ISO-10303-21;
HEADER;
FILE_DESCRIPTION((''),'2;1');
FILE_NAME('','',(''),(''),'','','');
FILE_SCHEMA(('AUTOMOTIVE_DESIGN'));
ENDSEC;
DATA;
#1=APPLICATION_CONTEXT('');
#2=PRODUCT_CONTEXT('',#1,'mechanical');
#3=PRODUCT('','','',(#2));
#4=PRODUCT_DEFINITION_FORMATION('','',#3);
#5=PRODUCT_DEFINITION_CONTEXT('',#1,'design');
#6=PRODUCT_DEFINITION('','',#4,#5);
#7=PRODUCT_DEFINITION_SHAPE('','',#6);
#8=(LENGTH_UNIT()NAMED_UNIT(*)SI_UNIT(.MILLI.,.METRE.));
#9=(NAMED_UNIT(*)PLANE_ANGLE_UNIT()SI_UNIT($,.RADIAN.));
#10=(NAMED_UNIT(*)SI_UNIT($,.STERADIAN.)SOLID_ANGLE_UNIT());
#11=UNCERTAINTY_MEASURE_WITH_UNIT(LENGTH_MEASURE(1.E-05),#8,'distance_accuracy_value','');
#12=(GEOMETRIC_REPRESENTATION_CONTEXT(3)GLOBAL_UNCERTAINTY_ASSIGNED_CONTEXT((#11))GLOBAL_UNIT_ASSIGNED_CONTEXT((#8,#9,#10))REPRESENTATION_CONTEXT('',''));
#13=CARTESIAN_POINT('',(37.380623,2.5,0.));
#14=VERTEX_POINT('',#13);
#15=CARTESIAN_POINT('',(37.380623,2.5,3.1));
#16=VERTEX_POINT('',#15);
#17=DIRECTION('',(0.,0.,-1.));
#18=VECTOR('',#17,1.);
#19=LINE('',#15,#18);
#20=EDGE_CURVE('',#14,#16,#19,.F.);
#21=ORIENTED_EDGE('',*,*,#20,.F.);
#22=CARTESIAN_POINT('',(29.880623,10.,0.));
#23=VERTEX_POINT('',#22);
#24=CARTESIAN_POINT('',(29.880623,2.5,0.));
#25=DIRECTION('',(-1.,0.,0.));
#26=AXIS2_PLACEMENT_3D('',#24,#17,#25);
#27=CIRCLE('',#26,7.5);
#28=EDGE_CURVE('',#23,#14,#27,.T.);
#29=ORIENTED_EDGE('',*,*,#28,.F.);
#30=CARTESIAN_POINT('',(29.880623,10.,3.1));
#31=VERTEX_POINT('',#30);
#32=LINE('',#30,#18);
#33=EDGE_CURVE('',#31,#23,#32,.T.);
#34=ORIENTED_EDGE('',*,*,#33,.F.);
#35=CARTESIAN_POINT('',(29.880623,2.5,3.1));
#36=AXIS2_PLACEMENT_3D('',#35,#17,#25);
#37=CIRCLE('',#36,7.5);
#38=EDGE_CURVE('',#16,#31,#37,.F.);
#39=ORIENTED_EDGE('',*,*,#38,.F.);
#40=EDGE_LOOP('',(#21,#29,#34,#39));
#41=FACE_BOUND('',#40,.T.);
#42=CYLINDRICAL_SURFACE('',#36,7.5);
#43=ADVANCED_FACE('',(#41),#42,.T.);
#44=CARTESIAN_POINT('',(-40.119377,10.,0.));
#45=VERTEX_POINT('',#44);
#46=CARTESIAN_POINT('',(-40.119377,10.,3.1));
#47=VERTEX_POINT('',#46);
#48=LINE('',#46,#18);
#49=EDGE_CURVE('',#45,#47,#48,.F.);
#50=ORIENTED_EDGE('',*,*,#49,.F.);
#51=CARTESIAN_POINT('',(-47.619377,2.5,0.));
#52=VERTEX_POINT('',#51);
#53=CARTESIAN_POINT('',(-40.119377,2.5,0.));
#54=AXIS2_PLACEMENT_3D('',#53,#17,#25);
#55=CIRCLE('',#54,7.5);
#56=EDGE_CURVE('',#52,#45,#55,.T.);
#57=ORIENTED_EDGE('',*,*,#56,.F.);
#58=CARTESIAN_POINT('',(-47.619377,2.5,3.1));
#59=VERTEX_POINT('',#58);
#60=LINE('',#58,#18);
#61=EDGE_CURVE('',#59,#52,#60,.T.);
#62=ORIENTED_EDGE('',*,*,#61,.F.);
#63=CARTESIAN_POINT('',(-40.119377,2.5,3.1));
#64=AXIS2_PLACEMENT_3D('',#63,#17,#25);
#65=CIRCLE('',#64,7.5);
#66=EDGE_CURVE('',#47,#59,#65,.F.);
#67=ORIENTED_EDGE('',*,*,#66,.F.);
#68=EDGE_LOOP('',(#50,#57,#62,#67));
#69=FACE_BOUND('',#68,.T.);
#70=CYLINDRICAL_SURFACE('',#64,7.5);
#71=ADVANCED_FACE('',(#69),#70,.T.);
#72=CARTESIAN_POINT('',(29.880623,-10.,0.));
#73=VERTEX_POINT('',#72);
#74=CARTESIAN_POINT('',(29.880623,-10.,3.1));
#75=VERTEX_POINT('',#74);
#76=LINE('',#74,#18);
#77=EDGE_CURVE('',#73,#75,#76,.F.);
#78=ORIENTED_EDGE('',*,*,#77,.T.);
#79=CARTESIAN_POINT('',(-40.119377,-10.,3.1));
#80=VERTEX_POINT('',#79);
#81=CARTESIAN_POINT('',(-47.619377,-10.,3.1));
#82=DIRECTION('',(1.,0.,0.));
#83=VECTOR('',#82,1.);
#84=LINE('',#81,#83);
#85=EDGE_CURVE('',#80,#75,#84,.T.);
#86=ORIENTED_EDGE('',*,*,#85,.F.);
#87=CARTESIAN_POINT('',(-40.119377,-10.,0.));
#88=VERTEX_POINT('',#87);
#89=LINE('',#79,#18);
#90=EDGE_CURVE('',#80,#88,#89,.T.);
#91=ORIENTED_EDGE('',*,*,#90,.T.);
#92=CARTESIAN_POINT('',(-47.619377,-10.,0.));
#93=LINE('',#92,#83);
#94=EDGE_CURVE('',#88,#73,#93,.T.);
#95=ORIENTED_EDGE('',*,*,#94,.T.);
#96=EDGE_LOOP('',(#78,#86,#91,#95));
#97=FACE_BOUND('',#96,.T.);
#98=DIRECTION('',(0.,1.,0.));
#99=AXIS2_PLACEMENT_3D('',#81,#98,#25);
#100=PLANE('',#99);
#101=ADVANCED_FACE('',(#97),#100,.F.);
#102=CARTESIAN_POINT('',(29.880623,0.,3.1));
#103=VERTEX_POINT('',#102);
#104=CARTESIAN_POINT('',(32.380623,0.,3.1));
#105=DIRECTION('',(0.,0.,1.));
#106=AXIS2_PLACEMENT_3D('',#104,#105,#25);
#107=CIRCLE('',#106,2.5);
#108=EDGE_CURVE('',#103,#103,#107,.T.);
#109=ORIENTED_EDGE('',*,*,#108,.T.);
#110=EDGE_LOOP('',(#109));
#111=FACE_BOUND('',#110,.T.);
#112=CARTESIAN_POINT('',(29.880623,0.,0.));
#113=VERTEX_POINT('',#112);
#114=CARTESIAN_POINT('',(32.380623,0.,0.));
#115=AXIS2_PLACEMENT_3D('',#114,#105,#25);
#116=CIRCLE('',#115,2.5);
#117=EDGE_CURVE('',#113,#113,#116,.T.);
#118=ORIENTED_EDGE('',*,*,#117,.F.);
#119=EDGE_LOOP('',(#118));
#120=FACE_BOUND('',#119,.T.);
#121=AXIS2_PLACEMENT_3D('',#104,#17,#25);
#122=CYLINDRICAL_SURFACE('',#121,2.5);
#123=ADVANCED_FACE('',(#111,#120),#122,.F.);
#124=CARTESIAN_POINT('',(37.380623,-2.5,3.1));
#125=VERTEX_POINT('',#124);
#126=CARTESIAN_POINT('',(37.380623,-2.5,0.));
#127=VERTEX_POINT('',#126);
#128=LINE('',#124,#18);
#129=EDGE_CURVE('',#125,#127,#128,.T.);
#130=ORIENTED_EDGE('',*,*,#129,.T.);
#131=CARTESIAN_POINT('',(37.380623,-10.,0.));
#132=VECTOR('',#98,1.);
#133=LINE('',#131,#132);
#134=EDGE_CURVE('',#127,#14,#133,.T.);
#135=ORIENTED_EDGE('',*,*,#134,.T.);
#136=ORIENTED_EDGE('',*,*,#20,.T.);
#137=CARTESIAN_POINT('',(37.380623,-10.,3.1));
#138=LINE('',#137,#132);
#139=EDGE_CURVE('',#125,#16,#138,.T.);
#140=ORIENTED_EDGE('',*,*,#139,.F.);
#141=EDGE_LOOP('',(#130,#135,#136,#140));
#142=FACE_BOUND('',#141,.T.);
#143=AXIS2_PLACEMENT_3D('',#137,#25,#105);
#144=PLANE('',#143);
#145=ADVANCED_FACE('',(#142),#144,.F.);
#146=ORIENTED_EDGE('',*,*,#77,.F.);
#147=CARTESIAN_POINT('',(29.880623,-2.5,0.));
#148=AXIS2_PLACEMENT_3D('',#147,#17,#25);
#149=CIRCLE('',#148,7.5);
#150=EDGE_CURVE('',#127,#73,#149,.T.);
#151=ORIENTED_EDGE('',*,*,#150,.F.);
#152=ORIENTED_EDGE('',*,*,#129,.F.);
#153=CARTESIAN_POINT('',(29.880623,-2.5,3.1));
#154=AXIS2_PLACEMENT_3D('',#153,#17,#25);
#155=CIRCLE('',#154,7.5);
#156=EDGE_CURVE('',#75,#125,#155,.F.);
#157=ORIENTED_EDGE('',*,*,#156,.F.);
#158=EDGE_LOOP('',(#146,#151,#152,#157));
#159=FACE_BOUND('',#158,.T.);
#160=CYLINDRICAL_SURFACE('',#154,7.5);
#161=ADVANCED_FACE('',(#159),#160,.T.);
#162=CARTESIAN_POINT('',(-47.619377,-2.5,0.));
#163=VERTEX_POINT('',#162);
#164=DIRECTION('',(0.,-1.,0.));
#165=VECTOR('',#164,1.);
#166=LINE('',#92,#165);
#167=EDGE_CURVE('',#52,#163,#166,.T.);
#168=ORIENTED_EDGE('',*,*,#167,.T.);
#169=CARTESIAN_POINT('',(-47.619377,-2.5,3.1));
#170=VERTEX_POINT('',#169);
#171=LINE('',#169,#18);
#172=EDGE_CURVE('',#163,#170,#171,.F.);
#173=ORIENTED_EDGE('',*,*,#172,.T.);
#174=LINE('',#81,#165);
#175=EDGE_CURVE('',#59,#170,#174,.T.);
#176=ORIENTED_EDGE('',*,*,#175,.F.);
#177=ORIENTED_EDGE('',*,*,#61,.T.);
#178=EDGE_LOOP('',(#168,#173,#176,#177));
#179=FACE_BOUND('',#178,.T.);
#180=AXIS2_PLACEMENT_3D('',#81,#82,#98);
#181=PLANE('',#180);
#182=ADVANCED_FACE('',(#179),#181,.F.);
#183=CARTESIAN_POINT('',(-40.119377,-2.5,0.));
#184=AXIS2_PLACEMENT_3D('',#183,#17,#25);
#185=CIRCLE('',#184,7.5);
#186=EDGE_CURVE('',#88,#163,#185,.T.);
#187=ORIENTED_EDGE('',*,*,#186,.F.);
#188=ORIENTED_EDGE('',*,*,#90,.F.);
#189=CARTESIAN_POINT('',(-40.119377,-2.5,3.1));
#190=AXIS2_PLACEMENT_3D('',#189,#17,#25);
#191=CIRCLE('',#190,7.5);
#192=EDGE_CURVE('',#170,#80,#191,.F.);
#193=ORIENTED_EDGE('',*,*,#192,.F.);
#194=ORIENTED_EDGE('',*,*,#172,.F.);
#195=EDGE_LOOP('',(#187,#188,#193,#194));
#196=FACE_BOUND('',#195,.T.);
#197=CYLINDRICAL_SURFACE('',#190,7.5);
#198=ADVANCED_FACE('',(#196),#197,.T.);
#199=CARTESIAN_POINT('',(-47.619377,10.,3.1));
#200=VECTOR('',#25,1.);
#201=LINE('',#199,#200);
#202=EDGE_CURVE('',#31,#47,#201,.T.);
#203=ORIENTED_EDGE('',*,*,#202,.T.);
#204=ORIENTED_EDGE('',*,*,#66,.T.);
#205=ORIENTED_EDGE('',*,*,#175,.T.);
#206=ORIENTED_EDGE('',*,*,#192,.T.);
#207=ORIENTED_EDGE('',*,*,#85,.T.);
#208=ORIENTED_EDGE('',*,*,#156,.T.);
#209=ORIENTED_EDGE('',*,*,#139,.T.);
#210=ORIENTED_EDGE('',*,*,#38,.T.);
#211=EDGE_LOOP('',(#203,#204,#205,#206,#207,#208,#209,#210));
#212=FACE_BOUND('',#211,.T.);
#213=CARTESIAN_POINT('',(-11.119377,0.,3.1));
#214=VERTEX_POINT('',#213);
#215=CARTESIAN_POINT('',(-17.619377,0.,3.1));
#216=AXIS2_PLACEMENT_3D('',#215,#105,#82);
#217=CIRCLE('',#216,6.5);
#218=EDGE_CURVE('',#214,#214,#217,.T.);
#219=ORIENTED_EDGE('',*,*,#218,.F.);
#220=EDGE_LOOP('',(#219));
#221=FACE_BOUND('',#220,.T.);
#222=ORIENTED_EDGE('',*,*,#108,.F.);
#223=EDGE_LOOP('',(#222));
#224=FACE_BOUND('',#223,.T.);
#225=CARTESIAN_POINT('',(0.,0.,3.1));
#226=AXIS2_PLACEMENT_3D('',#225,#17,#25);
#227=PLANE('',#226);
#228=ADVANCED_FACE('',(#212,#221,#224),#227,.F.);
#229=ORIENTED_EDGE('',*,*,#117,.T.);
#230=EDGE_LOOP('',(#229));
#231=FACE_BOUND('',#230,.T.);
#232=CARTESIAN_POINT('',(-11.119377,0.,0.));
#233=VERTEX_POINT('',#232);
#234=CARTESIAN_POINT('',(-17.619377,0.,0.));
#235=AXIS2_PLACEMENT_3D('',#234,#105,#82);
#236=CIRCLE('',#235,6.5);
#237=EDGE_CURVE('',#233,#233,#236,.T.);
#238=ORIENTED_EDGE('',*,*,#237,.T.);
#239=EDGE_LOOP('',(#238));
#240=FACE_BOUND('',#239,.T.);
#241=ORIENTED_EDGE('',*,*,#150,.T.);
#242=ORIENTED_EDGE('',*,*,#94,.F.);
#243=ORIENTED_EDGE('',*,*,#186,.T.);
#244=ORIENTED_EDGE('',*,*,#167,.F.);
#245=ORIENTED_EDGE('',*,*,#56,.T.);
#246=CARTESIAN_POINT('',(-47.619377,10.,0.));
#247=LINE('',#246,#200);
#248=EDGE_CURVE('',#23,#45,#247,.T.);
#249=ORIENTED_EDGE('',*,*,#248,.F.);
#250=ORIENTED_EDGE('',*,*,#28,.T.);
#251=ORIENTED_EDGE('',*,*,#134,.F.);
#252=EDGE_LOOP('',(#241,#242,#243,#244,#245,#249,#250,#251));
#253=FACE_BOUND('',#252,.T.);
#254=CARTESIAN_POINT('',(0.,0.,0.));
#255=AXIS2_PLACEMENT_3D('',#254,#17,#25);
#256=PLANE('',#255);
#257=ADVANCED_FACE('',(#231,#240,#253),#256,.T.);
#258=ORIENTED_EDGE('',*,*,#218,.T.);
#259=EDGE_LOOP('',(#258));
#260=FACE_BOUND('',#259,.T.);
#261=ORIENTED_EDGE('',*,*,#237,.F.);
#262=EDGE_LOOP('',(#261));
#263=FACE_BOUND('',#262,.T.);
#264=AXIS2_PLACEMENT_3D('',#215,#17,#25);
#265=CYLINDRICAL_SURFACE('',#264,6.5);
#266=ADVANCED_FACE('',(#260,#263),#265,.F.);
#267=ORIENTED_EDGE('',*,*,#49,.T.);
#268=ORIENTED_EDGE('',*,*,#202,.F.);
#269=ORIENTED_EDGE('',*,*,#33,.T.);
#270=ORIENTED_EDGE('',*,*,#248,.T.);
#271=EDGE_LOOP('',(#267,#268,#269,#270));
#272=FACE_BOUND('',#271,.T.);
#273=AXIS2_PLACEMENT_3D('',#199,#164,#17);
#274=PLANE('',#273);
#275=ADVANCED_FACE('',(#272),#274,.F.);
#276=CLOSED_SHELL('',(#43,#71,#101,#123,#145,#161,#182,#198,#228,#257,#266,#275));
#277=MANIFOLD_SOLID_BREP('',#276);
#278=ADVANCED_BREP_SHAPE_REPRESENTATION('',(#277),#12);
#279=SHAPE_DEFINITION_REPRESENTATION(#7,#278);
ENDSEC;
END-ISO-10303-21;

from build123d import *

# Parameters (mm, degrees)
SKETCH1_W           = 85
SKETCH1_H           = 20
SKETCH1_R           = 2.5
SKETCH1_R_2         = 6.5
BOSS_EXTRUDE1_DEPTH = 3.1
FILLET1_R           = 7.5


with BuildPart() as part:
    # Sketch1 → Boss-Extrude1 (new body)
    with BuildSketch(Plane.XY):
        with Locations((-5.11937671, 0)):
            Rectangle(SKETCH1_W, SKETCH1_H)
        with Locations((32.38062329, 0)):
            Circle(SKETCH1_R, mode=Mode.SUBTRACT)
        with Locations((-17.61937671, 0)):
            Circle(SKETCH1_R_2, mode=Mode.SUBTRACT)
    extrude(amount=BOSS_EXTRUDE1_DEPTH)

    # Fillet1
    fillet1_edges = [part.edges().sort_by_distance(p)[0] for p in [
        (-47.61937671, 10, 1.55),
        (37.38062329, 10, 1.55),
        (37.38062329, -10, 1.55),
        (-47.61937671, -10, 1.55),
    ]]
    fillet(fillet1_edges, radius=FILLET1_R)


solid = part.part
